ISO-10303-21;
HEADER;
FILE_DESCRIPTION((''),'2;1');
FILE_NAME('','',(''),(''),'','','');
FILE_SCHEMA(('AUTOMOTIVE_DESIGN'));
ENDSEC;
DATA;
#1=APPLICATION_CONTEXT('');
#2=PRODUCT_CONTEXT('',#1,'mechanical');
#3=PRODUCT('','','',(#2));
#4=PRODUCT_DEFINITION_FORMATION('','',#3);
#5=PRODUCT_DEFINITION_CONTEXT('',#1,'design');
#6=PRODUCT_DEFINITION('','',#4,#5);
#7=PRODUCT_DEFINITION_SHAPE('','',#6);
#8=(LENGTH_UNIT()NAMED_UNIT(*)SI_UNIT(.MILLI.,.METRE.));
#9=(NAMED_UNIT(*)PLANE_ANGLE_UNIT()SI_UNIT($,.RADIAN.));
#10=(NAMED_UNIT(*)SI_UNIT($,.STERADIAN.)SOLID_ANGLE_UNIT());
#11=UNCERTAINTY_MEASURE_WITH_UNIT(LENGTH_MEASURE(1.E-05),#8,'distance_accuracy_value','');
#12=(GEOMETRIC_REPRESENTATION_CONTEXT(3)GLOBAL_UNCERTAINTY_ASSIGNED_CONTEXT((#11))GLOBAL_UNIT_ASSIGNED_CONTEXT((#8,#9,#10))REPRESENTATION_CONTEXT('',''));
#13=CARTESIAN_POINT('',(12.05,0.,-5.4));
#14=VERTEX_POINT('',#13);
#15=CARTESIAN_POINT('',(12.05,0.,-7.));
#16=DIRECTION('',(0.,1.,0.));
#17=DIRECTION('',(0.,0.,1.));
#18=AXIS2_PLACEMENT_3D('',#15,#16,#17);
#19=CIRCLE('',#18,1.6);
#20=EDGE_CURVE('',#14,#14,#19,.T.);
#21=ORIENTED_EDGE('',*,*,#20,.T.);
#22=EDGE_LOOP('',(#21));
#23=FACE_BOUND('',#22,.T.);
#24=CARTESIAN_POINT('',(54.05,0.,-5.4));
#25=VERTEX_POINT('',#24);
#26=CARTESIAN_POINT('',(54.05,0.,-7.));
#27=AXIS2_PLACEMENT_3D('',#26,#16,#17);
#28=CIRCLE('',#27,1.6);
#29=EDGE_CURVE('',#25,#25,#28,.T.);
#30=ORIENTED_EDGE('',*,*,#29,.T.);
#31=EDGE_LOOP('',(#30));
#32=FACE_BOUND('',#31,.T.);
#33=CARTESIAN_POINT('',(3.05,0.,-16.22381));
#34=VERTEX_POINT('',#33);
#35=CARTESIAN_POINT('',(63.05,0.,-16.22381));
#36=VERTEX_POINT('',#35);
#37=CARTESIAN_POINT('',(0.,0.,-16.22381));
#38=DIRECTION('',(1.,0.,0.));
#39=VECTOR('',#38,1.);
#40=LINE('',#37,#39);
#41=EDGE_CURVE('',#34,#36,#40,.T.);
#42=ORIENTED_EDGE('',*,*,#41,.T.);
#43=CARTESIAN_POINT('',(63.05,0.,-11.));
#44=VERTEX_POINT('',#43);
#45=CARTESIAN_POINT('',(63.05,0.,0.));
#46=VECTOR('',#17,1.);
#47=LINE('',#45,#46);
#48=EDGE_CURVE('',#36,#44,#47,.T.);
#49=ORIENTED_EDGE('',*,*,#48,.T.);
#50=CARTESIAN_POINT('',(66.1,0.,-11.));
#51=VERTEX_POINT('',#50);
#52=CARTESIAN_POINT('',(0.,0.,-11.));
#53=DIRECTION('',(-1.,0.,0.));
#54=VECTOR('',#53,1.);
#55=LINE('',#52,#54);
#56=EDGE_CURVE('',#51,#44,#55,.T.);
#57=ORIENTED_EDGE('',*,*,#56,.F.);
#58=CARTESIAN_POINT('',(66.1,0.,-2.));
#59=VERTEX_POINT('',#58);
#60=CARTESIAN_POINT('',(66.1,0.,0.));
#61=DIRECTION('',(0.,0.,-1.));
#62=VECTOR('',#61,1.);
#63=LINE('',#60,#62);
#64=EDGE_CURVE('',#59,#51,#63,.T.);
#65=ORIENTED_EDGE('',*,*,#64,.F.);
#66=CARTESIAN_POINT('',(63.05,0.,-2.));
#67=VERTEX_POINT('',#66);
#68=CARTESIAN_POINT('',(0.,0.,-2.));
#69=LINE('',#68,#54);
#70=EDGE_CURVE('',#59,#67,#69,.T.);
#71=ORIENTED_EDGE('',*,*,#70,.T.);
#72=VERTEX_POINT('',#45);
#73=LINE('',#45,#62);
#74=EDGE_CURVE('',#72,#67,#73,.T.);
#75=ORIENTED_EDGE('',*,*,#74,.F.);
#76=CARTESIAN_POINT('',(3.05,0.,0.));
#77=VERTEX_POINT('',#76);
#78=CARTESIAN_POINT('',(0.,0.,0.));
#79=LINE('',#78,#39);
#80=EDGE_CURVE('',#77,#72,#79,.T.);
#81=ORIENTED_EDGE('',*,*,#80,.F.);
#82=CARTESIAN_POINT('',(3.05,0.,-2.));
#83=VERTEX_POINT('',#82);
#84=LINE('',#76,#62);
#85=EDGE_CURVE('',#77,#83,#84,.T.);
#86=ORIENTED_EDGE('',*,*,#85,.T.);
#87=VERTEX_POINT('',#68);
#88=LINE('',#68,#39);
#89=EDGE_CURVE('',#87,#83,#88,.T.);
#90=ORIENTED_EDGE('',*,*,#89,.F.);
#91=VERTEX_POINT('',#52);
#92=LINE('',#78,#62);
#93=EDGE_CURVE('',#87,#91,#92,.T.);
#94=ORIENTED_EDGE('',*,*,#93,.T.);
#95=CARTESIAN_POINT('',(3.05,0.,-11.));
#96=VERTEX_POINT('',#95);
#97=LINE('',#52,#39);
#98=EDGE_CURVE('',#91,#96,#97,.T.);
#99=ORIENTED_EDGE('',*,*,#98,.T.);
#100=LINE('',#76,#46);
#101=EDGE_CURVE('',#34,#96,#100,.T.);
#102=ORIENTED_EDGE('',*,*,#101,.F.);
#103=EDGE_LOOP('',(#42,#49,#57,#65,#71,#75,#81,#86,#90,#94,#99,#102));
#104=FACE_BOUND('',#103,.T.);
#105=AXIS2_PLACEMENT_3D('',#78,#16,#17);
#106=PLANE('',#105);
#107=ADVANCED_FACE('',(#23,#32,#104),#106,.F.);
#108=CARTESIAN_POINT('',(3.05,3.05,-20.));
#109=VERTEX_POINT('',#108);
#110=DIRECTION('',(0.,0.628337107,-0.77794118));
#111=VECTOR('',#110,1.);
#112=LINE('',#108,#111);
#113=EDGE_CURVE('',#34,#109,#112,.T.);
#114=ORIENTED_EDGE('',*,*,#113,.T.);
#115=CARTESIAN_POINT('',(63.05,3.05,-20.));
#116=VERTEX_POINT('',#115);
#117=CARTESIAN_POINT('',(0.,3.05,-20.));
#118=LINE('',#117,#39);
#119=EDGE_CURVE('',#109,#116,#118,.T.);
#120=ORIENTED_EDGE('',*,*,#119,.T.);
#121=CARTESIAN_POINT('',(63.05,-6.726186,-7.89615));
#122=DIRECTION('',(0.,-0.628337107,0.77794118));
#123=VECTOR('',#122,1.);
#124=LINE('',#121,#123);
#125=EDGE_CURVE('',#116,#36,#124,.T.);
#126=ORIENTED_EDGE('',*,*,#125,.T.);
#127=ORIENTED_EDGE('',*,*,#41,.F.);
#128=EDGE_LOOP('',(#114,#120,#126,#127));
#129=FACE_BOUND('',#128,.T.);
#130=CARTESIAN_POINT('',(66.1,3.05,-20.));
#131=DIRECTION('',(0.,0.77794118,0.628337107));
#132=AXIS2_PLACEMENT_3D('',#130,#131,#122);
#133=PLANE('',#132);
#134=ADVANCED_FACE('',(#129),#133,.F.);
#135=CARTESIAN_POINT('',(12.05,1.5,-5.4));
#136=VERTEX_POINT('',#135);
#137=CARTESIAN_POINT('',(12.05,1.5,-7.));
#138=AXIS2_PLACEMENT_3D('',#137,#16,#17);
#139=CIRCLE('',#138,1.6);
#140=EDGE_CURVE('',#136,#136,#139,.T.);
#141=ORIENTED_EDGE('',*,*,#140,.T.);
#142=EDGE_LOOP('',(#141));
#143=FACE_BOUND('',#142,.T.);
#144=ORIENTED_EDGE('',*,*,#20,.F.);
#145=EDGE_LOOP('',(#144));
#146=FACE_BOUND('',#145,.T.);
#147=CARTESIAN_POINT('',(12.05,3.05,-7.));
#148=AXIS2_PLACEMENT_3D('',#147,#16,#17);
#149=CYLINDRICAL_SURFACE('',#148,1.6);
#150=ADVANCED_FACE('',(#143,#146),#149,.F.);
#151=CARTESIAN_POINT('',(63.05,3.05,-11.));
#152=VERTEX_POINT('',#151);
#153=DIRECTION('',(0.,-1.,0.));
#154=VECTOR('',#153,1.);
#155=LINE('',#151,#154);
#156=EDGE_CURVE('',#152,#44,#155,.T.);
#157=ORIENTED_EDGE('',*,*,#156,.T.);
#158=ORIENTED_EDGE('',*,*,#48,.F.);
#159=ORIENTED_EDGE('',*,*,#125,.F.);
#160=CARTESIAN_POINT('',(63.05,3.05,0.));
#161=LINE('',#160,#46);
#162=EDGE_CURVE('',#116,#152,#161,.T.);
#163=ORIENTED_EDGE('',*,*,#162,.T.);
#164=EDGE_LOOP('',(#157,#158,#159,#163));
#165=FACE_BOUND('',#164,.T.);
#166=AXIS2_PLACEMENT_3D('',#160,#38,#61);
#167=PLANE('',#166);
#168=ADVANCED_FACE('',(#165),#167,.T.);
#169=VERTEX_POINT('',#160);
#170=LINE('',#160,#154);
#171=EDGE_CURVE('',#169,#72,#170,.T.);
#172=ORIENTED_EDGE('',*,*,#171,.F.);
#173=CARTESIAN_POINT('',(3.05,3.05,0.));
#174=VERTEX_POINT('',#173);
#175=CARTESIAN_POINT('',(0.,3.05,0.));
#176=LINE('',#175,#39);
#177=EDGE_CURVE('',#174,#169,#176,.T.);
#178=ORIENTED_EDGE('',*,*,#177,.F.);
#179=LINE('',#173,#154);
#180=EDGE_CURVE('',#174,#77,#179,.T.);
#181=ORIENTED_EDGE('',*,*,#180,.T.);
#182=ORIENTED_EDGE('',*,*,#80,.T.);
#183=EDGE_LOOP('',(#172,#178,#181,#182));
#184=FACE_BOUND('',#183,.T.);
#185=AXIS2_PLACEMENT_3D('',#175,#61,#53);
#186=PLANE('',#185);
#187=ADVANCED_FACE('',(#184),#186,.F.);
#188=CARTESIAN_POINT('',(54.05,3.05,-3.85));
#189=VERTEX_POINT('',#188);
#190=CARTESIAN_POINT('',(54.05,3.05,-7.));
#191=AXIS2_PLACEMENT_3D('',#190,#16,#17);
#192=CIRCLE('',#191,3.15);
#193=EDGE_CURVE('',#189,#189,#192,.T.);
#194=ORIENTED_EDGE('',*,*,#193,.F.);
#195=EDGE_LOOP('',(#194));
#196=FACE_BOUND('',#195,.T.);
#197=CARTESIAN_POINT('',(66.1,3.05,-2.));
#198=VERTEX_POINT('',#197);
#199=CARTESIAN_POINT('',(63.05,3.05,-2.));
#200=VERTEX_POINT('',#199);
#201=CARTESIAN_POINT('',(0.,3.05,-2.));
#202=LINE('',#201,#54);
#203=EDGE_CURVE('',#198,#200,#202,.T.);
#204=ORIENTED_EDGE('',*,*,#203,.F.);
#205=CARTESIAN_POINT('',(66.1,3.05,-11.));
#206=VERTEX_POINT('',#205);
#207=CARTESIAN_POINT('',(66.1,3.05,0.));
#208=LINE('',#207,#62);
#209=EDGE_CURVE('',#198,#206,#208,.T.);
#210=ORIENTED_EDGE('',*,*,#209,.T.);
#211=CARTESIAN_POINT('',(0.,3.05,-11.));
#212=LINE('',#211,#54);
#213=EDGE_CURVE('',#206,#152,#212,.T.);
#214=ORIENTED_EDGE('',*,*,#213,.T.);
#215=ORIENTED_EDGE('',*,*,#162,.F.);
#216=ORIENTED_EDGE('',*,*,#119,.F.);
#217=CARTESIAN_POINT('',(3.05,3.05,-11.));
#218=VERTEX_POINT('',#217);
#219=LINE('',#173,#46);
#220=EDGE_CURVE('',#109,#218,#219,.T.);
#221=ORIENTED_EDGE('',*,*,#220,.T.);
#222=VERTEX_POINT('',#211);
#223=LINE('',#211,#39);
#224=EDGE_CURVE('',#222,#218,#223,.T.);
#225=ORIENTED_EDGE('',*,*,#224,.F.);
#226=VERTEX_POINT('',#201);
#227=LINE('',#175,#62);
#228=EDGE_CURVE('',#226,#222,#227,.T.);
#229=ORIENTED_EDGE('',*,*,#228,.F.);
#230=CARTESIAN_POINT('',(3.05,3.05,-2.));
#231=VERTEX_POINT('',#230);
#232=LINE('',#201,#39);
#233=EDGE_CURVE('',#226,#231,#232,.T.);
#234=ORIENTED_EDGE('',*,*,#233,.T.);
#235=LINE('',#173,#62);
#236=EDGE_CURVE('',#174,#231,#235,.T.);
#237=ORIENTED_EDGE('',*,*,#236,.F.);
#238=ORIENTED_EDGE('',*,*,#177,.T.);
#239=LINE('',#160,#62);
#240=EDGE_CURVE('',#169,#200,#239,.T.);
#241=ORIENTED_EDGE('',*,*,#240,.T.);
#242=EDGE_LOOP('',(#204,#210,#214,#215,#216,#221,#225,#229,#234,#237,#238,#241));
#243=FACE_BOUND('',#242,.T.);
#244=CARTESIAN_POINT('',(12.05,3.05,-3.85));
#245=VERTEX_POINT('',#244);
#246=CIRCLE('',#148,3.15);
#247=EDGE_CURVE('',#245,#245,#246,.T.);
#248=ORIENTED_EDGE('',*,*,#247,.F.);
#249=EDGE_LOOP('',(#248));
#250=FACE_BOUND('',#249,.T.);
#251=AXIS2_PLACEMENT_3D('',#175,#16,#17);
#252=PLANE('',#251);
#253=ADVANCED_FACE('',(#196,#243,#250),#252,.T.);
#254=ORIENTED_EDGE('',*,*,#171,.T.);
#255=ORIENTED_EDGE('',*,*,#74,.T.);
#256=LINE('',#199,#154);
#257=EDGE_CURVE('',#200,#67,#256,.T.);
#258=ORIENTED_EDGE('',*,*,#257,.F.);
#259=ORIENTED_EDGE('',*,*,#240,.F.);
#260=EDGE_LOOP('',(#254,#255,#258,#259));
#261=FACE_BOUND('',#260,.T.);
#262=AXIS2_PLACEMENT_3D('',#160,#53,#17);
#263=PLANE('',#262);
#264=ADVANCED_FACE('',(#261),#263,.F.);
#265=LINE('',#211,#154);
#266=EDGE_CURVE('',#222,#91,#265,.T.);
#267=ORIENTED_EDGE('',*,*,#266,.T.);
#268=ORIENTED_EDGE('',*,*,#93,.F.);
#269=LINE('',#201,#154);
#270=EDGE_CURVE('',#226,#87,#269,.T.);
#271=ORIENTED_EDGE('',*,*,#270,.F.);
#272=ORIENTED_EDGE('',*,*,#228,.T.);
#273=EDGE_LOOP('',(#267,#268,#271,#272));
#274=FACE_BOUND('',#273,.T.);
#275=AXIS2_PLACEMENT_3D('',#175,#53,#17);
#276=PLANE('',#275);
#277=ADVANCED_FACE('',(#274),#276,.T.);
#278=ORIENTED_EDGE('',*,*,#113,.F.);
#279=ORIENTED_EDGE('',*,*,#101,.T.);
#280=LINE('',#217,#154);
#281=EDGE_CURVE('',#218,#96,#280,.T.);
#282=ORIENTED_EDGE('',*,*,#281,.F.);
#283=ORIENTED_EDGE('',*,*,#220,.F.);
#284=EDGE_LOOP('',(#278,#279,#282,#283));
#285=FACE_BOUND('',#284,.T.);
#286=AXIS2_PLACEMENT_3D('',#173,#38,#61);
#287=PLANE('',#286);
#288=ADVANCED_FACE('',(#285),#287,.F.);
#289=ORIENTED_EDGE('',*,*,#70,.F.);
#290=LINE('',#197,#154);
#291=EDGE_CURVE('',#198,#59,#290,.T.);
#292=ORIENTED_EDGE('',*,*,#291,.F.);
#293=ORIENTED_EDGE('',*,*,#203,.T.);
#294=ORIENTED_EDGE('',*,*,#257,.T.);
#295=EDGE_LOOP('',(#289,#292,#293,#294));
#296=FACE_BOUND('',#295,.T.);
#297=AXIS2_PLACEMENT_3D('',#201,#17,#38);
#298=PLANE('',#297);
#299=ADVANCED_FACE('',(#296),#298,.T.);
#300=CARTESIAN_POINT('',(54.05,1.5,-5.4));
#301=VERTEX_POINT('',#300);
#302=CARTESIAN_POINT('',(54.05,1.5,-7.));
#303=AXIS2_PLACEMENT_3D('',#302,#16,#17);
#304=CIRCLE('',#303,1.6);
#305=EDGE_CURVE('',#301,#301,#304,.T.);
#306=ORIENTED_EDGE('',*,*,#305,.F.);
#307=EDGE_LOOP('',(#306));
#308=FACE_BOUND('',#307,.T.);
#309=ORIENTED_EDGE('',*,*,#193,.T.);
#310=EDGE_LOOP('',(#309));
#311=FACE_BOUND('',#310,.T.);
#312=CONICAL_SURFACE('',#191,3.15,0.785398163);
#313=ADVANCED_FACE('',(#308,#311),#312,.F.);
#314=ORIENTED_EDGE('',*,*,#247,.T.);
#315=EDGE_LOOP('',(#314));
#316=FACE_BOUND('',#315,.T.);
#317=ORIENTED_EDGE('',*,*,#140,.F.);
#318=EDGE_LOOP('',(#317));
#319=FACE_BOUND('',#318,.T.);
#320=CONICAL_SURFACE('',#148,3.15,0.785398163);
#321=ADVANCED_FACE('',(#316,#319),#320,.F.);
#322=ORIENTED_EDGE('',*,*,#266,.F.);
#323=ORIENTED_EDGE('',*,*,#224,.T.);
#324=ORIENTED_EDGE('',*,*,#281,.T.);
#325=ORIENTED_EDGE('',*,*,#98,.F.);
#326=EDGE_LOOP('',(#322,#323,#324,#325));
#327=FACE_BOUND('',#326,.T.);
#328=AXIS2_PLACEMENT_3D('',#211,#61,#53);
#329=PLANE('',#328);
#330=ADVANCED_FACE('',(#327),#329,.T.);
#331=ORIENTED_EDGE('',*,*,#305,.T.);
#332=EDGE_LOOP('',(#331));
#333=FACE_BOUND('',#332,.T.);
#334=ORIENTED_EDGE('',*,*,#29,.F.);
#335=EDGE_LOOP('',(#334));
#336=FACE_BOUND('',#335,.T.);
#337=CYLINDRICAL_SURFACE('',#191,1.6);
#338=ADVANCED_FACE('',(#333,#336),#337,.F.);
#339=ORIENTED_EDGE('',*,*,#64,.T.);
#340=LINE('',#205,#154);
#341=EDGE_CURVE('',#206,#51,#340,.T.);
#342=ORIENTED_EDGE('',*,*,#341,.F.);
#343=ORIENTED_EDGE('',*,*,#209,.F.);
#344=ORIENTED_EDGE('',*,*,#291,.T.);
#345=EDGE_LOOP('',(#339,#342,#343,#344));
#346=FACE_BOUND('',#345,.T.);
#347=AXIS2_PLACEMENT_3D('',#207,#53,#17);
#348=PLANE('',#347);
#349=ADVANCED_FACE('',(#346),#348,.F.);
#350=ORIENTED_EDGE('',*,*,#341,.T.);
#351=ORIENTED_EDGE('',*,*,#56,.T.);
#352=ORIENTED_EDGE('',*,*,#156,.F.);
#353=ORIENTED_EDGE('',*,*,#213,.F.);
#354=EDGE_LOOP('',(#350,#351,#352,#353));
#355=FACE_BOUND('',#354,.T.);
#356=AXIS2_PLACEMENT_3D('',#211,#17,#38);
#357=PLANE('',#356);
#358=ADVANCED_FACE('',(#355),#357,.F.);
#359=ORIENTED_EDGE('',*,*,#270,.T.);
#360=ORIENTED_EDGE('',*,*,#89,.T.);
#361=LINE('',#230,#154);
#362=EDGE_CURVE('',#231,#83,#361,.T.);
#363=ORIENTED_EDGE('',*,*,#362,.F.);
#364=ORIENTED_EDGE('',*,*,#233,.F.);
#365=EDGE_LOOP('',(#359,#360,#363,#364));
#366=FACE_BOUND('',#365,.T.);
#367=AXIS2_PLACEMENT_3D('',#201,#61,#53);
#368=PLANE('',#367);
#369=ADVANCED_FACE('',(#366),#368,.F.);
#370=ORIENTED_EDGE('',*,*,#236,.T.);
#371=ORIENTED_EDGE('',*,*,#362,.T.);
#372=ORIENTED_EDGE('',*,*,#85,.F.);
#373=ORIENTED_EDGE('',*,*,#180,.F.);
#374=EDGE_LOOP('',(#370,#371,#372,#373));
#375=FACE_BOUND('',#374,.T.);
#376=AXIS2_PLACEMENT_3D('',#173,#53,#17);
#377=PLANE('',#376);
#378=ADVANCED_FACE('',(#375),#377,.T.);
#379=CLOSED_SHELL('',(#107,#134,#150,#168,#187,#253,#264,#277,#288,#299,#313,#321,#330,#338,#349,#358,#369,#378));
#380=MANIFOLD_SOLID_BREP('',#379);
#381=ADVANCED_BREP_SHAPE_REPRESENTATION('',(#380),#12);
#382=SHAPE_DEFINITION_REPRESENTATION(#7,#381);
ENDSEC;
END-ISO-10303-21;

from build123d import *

# Parameters (mm, degrees)
BOSS_EXTRUDE1_DEPTH = 3.05
CUT_EXTRUDE1_DEPTH  = 67.216349945


with BuildPart() as part:
    # Sketch1 → Boss-Extrude1 (new body)
    with BuildSketch(Plane(origin=(0, 0, 0), x_dir=(1, 0, 0), z_dir=(0, 1, 0))):
        with BuildLine():
            Line((12.05, 5.5), (12.05, 0))
            Line((12.05, 0), (54.05, 0))
            Line((54.05, 0), (54.05, 5.5))
            ThreePointArc((54.05, 5.5), (52.989339828, 8.060660172), (55.55, 7))
            Line((55.55, 7), (66.1, 7))
            Line((66.1, 7), (66.1, 11))
            Line((66.1, 11), (63.05, 11))
            Line((63.05, 11), (63.05, 20))
            Line((63.05, 20), (3.05, 20))
            Line((3.05, 20), (3.05, 11))
            Line((3.05, 11), (0, 11))
            Line((0, 11), (0, 7))
            Line((0, 7), (10.55, 7))
            ThreePointArc((10.55, 7), (12.05, 8.5), (13.55, 7))
            ThreePointArc((13.55, 7), (13.110660172, 5.939339828), (12.05, 5.5))
        make_face()
        with BuildLine():
            Line((3.05, 2), (3.05, 0))
            Line((3.05, 0), (12.05, 0))
            Line((12.05, 0), (12.05, 5.5))
            ThreePointArc((12.05, 5.5), (10.989339828, 5.939339828), (10.55, 7))
            Line((10.55, 7), (0, 7))
            Line((0, 7), (0, 2))
            Line((0, 2), (3.05, 2))
        make_face()
        with BuildLine():
            Line((54.05, 5.5), (54.05, 0))
            Line((54.05, 0), (63.05, 0))
            Line((63.05, 0), (63.05, 2))
            Line((63.05, 2), (66.1, 2))
            Line((66.1, 2), (66.1, 7))
            Line((66.1, 7), (55.55, 7))
            ThreePointArc((55.55, 7), (55.110660172, 5.939339828), (54.05, 5.5))
        make_face()
    extrude(amount=BOSS_EXTRUDE1_DEPTH)

    # Sketch5 → CSK for M3 Flat Head Machine Screw1 (revolve, cut)
    with BuildSketch(Plane(origin=(12.05, 3.05, -7), x_dir=(0, 0, 1), z_dir=(1, 0, 0))):
        Polygon((0, 0), (0, 3.05), (1.6, 3.05), (1.6, 1.55), (3.15, 0), align=None)
    revolve(axis=Axis((12.05, 9.4, -7), (0, -1, 0)), mode=Mode.SUBTRACT)

    # Sketch7 → CSK for M3 Flat Head Machine Screw2 (revolve, cut)
    with BuildSketch(Plane(origin=(54.05, 3.05, -7), x_dir=(0, 0, 1), z_dir=(1, 0, 0))):
        Polygon((0, 0), (0, 3.05), (1.6, 3.05), (1.6, 1.55), (3.15, 0), align=None)
    revolve(axis=Axis((54.05, 9.4, -7), (0, -1, 0)), mode=Mode.SUBTRACT)

    # Sketch8 → Cut-Extrude1 (cut, through all)
    with BuildSketch(Plane.ZY.offset(-3.05)):
        Polygon((-20, 0), (-20, 3.05), (-16.223809523, 0), align=None)
    extrude(amount=-CUT_EXTRUDE1_DEPTH, mode=Mode.SUBTRACT)


solid = part.part
